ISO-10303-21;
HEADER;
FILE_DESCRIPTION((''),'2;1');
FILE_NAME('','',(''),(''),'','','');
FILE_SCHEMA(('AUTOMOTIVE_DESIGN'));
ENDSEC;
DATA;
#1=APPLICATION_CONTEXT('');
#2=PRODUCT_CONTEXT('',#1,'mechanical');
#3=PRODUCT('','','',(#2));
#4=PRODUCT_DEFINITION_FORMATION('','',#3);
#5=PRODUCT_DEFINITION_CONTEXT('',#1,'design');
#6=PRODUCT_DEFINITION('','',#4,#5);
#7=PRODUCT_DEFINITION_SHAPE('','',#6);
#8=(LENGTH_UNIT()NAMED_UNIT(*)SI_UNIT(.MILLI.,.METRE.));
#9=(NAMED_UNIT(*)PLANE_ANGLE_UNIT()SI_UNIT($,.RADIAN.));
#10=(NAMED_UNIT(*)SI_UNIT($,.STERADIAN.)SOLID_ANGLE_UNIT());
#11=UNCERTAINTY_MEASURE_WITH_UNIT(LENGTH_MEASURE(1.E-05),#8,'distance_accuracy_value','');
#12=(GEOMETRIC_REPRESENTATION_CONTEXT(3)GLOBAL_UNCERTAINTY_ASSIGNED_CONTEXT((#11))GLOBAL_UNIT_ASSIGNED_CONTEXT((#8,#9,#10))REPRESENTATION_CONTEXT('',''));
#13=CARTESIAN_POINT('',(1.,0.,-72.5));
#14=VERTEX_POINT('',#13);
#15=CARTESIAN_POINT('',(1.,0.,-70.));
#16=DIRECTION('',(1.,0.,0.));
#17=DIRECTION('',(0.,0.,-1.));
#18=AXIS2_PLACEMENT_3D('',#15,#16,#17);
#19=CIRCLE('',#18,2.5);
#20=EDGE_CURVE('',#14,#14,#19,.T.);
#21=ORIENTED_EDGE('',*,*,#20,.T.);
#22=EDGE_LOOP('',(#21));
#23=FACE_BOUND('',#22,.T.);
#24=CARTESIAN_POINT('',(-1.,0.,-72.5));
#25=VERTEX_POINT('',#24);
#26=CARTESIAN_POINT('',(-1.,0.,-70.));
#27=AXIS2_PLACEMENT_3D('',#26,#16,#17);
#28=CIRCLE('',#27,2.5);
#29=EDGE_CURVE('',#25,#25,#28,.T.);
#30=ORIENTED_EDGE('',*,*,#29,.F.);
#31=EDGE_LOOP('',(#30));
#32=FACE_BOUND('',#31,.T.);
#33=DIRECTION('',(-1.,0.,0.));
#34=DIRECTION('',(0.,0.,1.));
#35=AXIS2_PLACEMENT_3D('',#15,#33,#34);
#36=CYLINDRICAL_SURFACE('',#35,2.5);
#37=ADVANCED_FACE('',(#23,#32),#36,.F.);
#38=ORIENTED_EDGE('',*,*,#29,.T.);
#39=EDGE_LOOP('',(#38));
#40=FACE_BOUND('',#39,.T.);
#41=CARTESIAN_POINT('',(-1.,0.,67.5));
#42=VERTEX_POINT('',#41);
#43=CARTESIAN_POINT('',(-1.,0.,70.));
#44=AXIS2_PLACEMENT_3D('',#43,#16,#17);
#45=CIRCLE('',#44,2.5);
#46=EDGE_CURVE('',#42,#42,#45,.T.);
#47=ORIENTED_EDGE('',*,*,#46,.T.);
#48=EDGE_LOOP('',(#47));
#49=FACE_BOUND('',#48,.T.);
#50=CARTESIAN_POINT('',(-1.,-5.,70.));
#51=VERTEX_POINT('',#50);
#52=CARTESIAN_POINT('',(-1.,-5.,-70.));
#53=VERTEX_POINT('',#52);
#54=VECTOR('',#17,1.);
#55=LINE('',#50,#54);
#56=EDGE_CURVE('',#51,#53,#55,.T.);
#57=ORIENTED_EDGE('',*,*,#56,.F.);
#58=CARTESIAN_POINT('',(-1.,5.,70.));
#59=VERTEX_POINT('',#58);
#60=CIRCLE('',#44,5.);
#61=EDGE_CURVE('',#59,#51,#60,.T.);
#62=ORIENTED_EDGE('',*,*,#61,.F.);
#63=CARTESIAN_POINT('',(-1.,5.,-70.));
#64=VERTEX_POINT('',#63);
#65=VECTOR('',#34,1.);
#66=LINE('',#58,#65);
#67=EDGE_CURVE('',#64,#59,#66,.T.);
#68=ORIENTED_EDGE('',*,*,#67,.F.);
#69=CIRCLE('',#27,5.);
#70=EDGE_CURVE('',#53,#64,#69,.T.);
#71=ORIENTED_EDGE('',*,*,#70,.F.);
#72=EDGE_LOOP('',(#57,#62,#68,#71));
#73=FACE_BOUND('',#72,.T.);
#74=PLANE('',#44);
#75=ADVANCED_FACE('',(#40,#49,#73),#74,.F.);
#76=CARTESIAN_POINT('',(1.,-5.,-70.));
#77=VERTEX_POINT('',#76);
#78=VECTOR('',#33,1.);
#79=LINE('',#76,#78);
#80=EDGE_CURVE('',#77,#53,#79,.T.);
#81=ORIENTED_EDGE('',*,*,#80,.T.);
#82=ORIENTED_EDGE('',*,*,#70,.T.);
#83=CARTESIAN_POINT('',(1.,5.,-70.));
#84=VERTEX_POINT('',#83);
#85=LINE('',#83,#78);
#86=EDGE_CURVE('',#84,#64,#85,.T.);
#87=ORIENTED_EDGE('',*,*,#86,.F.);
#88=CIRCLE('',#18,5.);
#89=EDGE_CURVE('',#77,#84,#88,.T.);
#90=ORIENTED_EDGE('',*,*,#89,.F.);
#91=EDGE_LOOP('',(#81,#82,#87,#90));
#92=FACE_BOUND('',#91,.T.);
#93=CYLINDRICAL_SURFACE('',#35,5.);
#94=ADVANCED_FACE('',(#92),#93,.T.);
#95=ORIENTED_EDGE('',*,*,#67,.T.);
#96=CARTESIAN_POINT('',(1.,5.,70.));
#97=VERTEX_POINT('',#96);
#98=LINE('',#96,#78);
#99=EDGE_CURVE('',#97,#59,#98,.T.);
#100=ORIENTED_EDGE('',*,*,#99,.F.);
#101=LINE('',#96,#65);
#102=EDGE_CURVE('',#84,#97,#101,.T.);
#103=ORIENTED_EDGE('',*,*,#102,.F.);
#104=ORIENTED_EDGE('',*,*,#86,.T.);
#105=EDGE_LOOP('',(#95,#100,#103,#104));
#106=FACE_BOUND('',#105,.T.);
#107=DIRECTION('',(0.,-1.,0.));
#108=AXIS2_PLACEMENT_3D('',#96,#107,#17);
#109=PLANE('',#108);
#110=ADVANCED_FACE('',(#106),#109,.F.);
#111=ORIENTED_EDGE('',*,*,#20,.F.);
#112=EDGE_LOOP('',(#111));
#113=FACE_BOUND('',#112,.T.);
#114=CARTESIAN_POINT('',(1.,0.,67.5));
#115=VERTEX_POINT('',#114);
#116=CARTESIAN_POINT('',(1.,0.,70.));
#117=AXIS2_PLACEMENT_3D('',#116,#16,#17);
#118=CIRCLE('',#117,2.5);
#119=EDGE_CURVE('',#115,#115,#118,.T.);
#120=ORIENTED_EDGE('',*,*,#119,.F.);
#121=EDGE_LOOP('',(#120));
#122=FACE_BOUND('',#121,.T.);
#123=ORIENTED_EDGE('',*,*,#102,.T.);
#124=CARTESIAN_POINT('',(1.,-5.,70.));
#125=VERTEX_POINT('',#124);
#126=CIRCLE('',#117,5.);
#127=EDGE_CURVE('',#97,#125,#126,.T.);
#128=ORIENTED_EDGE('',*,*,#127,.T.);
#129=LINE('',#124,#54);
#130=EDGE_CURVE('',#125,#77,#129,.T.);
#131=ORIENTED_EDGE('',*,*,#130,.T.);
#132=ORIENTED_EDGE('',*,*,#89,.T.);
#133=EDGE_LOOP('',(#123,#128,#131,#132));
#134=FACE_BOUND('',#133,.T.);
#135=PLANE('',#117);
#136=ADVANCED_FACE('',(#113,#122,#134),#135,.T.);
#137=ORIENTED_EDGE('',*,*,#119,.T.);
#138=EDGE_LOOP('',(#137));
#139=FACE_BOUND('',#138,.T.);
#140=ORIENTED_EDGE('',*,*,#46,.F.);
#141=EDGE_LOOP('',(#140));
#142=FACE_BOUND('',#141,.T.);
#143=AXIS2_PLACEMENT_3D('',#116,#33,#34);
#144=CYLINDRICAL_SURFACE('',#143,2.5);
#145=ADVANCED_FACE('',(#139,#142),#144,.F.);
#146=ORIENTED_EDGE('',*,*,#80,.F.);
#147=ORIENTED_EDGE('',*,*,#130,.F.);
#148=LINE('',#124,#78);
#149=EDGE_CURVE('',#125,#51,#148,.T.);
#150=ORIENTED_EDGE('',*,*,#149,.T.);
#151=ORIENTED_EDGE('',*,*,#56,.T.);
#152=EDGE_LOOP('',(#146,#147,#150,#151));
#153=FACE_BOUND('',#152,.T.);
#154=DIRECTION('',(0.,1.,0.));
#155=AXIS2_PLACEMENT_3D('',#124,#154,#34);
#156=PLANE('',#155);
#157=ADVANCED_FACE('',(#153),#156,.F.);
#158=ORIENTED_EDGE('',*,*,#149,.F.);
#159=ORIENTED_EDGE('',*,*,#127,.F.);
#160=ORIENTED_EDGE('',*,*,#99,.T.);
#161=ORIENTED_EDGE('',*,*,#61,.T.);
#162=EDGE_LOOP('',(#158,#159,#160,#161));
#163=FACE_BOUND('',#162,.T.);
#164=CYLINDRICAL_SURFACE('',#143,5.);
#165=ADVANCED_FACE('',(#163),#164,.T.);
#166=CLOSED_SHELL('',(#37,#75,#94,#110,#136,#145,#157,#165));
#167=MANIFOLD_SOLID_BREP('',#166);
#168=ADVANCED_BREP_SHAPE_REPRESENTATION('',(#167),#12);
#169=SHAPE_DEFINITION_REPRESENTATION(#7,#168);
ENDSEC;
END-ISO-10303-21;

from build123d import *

# Parameters (mm, degrees)
SKETCH1_R           = 2.5
BOSS_EXTRUDE1_DEPTH = 1


with BuildPart() as part:
    # Sketch1 → Boss-Extrude1 (new body, symmetric)
    with BuildSketch(Plane(origin=(0, 0, 0), x_dir=(0, 0, -1), z_dir=(1, 0, 0))):
        with BuildLine():
            Line((-70, 5), (70, 5))
            ThreePointArc((70, 5), (75, 0), (70, -5))
            Line((70, -5), (-70, -5))
            ThreePointArc((-70, -5), (-75, 0), (-70, 5))
        make_face()
        with Locations((-70, 0)):
            Circle(SKETCH1_R, mode=Mode.SUBTRACT)
        with Locations((70, 0)):
            Circle(SKETCH1_R, mode=Mode.SUBTRACT)
    extrude(amount=BOSS_EXTRUDE1_DEPTH, both=True)


solid = part.part
